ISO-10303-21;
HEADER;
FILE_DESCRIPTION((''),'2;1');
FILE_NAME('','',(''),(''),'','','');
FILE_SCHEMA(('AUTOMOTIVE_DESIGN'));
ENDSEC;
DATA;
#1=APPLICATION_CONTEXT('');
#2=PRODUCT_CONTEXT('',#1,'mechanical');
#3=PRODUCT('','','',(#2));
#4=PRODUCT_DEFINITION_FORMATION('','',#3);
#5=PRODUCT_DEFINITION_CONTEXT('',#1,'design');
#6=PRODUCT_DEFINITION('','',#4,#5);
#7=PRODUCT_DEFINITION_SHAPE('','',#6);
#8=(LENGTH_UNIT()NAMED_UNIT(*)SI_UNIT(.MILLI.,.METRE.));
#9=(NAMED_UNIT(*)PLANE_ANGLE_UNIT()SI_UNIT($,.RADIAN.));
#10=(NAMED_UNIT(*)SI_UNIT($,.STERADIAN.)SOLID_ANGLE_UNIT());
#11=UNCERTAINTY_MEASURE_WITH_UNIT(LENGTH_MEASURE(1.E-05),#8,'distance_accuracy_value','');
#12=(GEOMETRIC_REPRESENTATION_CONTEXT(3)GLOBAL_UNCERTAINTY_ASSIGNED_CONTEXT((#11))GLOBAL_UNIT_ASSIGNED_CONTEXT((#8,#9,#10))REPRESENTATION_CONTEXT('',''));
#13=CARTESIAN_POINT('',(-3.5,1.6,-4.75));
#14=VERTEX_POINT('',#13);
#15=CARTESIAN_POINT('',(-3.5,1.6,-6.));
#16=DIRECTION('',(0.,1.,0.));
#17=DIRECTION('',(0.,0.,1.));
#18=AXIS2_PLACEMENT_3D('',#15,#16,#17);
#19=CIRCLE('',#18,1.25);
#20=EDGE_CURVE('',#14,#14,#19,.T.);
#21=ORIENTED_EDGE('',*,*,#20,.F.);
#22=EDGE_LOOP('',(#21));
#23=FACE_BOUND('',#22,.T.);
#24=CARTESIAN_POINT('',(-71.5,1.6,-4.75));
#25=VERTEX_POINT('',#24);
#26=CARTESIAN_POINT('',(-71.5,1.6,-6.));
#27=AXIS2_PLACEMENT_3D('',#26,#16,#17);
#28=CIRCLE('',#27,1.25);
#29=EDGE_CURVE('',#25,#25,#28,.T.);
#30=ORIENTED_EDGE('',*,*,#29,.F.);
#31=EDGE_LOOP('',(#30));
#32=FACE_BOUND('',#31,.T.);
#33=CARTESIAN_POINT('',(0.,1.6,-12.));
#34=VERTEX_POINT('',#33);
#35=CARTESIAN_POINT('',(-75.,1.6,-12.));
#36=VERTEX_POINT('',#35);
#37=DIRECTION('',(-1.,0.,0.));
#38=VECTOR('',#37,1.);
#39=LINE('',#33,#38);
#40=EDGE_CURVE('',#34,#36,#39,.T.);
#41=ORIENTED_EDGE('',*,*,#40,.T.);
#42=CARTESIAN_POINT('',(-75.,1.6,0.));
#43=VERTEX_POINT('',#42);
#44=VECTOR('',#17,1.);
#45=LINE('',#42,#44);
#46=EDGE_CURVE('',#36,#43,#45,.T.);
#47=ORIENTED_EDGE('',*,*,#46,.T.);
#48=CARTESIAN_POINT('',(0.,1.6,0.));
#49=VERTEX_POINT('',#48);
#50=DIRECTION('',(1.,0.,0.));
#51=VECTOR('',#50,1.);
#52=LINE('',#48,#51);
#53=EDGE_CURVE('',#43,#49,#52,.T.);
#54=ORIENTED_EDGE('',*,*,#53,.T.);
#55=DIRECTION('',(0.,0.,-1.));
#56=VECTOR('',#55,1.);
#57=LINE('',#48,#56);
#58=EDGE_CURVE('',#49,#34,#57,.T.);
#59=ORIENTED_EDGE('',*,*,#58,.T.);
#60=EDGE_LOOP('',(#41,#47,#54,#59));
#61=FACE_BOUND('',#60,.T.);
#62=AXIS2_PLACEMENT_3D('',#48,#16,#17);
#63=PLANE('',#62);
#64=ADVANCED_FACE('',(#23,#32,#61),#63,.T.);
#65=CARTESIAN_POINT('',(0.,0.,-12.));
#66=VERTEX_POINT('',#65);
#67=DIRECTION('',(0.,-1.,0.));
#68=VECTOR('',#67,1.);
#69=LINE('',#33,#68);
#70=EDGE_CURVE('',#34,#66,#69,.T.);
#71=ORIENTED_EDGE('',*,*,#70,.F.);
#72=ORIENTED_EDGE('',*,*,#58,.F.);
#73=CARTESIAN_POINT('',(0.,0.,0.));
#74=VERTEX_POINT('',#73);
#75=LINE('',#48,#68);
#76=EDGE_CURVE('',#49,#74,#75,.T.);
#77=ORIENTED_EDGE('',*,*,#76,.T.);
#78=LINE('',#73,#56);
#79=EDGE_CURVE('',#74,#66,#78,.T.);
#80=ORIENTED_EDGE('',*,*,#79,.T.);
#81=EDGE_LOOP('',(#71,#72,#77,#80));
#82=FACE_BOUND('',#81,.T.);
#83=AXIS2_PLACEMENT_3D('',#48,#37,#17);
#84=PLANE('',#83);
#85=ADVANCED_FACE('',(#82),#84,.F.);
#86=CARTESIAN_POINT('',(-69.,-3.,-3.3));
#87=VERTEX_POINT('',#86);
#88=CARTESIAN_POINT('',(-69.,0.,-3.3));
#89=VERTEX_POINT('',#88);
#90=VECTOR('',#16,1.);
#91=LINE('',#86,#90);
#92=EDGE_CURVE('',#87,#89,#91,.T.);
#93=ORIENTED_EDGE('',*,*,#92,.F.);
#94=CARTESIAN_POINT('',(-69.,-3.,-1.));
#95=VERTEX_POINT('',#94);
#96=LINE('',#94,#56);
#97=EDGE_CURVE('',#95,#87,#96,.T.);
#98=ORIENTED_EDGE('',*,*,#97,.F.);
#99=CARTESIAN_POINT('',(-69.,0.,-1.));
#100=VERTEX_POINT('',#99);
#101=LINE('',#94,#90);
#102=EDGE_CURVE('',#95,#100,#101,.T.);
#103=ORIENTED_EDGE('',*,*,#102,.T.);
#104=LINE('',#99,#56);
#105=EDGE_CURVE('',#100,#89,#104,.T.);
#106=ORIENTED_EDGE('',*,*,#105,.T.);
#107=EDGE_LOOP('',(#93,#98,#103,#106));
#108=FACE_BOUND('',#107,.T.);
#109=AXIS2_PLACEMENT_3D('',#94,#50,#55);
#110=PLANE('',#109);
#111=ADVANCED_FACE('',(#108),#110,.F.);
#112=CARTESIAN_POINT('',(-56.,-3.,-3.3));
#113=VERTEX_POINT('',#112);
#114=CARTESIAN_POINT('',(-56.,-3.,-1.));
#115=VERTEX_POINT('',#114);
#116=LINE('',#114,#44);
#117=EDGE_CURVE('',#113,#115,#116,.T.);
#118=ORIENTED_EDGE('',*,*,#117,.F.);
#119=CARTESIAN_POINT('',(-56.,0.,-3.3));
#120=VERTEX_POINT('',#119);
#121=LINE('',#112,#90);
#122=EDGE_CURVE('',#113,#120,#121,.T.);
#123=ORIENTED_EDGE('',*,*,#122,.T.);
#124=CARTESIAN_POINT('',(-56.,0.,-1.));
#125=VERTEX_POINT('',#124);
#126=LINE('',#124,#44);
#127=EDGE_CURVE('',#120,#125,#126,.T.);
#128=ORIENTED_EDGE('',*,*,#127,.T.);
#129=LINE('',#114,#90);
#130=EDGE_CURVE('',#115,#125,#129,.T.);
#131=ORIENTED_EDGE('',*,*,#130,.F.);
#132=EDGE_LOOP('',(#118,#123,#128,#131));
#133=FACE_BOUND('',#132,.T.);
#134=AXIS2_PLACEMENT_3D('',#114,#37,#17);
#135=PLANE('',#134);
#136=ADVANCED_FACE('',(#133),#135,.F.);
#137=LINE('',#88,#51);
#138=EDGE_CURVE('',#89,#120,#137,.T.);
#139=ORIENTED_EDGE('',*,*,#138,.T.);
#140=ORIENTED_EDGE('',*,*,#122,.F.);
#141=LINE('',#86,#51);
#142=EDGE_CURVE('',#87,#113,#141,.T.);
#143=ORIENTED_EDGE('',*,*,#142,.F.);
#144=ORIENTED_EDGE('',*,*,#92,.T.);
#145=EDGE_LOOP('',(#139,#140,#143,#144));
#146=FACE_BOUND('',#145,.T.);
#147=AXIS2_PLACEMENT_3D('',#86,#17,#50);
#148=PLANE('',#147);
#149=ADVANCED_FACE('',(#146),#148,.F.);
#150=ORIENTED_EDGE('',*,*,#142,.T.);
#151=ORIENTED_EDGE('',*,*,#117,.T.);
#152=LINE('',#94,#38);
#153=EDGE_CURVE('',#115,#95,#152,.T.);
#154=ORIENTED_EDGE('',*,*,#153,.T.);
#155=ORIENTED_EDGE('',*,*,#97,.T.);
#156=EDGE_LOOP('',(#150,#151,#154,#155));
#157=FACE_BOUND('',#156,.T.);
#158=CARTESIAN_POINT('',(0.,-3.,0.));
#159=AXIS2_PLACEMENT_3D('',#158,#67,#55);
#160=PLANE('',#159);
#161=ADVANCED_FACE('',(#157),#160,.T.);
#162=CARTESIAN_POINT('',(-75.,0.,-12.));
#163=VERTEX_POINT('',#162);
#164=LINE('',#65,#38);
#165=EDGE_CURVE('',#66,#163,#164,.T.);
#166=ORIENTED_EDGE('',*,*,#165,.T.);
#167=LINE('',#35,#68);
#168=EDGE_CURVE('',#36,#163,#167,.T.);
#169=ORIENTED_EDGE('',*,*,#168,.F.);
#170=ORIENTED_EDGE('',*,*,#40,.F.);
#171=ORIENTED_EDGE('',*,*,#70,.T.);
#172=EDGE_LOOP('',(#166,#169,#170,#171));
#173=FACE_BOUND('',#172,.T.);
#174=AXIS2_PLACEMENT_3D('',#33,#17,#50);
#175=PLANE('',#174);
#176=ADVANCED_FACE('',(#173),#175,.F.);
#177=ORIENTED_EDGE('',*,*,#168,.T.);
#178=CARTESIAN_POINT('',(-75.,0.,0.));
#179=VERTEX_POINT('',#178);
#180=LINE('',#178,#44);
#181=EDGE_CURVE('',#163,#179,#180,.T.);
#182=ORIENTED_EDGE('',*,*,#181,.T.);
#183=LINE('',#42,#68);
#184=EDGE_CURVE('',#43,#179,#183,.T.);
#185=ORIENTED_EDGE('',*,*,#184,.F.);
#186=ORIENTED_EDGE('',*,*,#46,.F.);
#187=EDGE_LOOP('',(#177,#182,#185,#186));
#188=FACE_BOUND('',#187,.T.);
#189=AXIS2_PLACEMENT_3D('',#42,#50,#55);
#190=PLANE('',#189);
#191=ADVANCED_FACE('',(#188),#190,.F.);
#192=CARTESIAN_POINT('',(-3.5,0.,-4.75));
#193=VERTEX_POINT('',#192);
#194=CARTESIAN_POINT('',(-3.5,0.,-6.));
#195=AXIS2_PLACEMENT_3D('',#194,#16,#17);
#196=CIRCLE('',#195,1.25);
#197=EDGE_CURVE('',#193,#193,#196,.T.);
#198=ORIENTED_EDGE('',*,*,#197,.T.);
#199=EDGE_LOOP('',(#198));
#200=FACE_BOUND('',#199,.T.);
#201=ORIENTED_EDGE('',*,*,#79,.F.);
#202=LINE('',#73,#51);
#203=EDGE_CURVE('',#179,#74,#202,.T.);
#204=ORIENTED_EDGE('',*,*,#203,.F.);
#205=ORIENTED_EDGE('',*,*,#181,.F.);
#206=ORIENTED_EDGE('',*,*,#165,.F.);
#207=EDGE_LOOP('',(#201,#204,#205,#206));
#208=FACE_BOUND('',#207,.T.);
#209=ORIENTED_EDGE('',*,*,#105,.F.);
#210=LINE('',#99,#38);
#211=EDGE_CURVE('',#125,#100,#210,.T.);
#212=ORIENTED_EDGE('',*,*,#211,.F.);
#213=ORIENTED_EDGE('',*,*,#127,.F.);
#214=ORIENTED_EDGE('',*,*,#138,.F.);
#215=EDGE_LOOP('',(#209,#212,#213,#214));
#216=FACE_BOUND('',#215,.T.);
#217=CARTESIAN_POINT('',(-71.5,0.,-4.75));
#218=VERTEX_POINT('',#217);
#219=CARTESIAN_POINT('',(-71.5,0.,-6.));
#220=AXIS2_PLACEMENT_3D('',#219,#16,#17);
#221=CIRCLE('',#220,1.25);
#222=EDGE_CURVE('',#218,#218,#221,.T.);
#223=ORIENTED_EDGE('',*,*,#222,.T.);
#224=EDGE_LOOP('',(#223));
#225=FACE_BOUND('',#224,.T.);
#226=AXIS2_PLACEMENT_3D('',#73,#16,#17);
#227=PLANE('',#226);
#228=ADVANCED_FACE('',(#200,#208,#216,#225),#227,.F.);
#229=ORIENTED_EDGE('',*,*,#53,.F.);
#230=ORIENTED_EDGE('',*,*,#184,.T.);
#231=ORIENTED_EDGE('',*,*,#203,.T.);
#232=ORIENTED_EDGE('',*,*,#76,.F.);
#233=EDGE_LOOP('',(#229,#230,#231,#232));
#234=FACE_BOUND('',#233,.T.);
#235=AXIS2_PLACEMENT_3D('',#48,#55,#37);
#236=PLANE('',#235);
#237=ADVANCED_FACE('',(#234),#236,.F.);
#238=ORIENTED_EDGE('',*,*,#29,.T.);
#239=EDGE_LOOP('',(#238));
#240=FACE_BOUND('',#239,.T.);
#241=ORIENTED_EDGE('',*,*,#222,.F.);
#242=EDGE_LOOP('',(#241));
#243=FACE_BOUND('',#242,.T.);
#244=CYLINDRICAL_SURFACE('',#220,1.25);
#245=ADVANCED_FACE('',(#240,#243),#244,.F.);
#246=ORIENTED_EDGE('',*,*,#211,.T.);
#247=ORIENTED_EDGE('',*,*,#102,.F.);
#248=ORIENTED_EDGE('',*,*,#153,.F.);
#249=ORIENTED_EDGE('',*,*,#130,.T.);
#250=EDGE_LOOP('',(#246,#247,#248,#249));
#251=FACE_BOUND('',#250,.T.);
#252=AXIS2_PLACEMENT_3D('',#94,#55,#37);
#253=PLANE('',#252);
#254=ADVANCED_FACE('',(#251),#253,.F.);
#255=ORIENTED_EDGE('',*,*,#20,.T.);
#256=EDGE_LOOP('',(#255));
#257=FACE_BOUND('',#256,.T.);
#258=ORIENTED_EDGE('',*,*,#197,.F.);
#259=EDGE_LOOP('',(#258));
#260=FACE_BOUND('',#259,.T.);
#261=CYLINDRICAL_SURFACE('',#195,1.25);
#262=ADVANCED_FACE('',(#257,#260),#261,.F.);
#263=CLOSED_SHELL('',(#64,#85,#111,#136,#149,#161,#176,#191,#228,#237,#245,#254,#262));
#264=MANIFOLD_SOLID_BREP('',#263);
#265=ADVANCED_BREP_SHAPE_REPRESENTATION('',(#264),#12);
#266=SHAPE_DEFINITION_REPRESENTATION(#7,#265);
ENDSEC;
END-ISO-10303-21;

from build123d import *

# Parameters (mm, degrees)
SKETCH1_W           = 75
SKETCH1_H           = 12
PCB_DEPTH           = 1.6
SKETCH2_R           = 1.25
SCREW_HOLES_DEPTH   = 76.970783858
SKETCH3_W           = 13
SKETCH3_H           = 2.3
BOSS_EXTRUDE1_DEPTH = 3


with BuildPart() as part:
    # Sketch1 → pcb (new body)
    with BuildSketch(Plane(origin=(0, 0, 0), x_dir=(1, 0, 0), z_dir=(0, 1, 0))):
        with Locations((-37.5, 6)):
            Rectangle(SKETCH1_W, SKETCH1_H)
    extrude(amount=PCB_DEPTH)

    # Sketch2 → screw holes (cut, through all)
    with BuildSketch(Plane(origin=(0, 1.6, 0), x_dir=(1, 0, 0), z_dir=(0, 1, 0))):
        with Locations(Location((-71.5, 6, 0), (0, 0, 270))):
            Circle(SKETCH2_R)
        with Locations(Location((-3.5, 6, 0), (0, 0, 270))):
            Circle(SKETCH2_R)
    extrude(amount=-SCREW_HOLES_DEPTH, mode=Mode.SUBTRACT)

    # Sketch3 → Boss-Extrude1 (add)
    with BuildSketch(Plane.XZ):
        with Locations((-62.5, -2.15)):
            Rectangle(SKETCH3_W, SKETCH3_H)
    extrude(amount=BOSS_EXTRUDE1_DEPTH)


solid = part.part
